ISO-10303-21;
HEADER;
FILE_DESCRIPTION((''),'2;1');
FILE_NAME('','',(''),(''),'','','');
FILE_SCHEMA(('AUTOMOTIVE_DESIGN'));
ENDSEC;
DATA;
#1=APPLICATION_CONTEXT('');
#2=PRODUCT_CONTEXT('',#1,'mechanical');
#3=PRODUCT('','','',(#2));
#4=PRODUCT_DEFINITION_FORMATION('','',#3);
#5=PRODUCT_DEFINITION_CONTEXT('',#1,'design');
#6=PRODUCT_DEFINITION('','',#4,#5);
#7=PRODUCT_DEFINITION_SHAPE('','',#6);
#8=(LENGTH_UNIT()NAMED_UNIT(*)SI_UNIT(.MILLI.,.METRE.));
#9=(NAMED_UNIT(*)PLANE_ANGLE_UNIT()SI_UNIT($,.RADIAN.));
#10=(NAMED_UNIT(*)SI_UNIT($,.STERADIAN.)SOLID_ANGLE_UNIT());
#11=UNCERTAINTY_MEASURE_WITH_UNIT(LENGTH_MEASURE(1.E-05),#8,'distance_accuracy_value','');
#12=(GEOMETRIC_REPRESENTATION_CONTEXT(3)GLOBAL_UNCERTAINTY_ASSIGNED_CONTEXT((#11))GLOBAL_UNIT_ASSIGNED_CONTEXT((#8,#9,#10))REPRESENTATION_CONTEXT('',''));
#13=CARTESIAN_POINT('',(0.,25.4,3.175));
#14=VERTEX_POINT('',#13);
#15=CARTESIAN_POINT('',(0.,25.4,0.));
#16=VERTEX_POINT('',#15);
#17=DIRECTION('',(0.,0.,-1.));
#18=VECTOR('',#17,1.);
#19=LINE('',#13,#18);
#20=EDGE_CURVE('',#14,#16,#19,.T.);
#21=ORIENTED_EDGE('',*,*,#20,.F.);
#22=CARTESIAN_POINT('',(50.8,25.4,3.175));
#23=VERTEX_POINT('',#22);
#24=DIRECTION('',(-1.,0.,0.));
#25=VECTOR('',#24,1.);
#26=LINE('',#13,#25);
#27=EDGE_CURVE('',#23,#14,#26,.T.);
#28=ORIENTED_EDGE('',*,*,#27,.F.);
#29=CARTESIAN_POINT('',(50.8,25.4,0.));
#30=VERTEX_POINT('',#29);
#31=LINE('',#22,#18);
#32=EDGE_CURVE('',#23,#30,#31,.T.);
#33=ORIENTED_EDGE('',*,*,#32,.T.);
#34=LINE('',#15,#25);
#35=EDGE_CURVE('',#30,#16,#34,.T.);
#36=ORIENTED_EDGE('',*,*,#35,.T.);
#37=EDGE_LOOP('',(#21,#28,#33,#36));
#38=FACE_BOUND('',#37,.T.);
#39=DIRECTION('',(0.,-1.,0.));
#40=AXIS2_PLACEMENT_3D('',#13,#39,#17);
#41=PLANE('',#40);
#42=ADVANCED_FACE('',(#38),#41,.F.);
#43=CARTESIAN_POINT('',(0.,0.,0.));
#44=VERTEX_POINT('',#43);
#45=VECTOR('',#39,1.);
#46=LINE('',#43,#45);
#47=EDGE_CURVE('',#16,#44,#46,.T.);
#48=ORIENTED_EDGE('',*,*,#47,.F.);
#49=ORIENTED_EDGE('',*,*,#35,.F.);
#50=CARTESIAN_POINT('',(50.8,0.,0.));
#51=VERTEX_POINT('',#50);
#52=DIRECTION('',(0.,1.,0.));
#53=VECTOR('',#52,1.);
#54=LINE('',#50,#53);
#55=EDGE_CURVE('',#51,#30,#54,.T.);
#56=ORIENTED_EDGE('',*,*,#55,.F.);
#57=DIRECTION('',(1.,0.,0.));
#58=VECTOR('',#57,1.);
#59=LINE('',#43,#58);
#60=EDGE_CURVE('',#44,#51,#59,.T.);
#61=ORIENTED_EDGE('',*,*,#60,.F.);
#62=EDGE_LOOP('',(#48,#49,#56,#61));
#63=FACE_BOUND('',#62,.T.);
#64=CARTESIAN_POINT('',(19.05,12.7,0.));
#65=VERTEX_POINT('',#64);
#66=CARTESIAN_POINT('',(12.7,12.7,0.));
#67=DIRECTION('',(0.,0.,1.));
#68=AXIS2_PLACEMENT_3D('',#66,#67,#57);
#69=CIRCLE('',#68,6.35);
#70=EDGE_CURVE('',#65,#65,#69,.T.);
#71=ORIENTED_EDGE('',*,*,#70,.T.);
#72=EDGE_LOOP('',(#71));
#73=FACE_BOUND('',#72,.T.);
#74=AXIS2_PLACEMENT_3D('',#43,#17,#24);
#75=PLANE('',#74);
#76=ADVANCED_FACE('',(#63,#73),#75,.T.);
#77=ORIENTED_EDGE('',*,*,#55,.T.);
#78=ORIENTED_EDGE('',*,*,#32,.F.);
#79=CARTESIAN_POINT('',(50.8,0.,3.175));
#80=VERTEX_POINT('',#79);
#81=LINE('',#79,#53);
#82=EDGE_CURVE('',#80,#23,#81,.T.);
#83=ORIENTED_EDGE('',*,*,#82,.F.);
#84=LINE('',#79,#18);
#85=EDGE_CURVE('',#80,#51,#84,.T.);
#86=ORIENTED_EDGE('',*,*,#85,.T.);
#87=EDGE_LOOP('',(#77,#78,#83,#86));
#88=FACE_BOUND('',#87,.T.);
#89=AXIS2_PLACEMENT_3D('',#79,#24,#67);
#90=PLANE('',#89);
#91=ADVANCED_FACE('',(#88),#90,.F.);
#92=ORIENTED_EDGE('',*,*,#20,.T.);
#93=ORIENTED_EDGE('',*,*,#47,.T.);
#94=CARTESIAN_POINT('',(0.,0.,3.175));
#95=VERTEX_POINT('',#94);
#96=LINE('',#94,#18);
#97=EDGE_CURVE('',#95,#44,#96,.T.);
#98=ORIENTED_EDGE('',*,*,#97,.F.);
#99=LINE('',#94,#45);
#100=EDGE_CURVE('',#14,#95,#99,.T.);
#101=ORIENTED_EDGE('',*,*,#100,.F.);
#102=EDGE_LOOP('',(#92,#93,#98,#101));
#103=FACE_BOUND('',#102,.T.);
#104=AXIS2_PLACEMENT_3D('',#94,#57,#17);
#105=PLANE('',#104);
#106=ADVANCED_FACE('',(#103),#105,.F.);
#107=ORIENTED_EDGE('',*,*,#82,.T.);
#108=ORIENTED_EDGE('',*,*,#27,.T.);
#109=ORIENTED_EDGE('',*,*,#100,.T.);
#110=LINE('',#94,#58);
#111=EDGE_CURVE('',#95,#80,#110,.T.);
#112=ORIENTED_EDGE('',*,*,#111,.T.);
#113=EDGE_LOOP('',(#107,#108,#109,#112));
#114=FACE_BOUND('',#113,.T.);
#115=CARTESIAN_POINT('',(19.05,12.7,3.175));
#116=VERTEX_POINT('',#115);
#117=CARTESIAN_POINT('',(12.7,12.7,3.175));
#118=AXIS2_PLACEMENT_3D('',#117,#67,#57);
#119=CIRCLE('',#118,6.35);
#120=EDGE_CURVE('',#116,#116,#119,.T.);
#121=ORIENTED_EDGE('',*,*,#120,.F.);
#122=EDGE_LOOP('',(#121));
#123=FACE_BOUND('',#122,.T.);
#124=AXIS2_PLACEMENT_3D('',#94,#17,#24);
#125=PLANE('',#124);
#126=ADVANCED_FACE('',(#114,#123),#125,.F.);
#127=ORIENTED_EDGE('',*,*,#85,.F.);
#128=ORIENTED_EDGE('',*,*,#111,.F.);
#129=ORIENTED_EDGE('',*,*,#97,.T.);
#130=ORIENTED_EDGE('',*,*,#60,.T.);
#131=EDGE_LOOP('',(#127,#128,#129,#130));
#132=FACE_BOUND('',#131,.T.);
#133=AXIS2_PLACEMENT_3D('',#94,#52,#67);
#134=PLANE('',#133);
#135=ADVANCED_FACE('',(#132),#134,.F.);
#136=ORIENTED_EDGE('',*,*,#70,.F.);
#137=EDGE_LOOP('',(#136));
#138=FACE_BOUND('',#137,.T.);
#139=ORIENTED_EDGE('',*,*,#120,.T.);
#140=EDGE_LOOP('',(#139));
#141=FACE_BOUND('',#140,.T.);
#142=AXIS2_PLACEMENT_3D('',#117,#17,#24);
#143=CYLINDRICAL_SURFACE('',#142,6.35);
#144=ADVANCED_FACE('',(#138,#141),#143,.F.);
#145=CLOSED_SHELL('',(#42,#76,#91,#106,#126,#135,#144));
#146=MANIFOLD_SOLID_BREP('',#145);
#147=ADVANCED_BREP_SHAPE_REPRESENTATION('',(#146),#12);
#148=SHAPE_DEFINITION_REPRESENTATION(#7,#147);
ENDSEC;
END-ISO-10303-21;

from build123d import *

# Parameters (mm, degrees)
SKETCH1_W           = 50.8
SKETCH1_H           = 25.4
SKETCH1_R           = 6.35
BOSS_EXTRUDE1_DEPTH = 3.175


with BuildPart() as part:
    # Sketch1 → Boss-Extrude1 (new body)
    with BuildSketch(Plane.XY):
        with Locations((25.4, 12.7)):
            Rectangle(SKETCH1_W, SKETCH1_H)
        with Locations((12.7, 12.7)):
            Circle(SKETCH1_R, mode=Mode.SUBTRACT)
    extrude(amount=BOSS_EXTRUDE1_DEPTH)


solid = part.part
